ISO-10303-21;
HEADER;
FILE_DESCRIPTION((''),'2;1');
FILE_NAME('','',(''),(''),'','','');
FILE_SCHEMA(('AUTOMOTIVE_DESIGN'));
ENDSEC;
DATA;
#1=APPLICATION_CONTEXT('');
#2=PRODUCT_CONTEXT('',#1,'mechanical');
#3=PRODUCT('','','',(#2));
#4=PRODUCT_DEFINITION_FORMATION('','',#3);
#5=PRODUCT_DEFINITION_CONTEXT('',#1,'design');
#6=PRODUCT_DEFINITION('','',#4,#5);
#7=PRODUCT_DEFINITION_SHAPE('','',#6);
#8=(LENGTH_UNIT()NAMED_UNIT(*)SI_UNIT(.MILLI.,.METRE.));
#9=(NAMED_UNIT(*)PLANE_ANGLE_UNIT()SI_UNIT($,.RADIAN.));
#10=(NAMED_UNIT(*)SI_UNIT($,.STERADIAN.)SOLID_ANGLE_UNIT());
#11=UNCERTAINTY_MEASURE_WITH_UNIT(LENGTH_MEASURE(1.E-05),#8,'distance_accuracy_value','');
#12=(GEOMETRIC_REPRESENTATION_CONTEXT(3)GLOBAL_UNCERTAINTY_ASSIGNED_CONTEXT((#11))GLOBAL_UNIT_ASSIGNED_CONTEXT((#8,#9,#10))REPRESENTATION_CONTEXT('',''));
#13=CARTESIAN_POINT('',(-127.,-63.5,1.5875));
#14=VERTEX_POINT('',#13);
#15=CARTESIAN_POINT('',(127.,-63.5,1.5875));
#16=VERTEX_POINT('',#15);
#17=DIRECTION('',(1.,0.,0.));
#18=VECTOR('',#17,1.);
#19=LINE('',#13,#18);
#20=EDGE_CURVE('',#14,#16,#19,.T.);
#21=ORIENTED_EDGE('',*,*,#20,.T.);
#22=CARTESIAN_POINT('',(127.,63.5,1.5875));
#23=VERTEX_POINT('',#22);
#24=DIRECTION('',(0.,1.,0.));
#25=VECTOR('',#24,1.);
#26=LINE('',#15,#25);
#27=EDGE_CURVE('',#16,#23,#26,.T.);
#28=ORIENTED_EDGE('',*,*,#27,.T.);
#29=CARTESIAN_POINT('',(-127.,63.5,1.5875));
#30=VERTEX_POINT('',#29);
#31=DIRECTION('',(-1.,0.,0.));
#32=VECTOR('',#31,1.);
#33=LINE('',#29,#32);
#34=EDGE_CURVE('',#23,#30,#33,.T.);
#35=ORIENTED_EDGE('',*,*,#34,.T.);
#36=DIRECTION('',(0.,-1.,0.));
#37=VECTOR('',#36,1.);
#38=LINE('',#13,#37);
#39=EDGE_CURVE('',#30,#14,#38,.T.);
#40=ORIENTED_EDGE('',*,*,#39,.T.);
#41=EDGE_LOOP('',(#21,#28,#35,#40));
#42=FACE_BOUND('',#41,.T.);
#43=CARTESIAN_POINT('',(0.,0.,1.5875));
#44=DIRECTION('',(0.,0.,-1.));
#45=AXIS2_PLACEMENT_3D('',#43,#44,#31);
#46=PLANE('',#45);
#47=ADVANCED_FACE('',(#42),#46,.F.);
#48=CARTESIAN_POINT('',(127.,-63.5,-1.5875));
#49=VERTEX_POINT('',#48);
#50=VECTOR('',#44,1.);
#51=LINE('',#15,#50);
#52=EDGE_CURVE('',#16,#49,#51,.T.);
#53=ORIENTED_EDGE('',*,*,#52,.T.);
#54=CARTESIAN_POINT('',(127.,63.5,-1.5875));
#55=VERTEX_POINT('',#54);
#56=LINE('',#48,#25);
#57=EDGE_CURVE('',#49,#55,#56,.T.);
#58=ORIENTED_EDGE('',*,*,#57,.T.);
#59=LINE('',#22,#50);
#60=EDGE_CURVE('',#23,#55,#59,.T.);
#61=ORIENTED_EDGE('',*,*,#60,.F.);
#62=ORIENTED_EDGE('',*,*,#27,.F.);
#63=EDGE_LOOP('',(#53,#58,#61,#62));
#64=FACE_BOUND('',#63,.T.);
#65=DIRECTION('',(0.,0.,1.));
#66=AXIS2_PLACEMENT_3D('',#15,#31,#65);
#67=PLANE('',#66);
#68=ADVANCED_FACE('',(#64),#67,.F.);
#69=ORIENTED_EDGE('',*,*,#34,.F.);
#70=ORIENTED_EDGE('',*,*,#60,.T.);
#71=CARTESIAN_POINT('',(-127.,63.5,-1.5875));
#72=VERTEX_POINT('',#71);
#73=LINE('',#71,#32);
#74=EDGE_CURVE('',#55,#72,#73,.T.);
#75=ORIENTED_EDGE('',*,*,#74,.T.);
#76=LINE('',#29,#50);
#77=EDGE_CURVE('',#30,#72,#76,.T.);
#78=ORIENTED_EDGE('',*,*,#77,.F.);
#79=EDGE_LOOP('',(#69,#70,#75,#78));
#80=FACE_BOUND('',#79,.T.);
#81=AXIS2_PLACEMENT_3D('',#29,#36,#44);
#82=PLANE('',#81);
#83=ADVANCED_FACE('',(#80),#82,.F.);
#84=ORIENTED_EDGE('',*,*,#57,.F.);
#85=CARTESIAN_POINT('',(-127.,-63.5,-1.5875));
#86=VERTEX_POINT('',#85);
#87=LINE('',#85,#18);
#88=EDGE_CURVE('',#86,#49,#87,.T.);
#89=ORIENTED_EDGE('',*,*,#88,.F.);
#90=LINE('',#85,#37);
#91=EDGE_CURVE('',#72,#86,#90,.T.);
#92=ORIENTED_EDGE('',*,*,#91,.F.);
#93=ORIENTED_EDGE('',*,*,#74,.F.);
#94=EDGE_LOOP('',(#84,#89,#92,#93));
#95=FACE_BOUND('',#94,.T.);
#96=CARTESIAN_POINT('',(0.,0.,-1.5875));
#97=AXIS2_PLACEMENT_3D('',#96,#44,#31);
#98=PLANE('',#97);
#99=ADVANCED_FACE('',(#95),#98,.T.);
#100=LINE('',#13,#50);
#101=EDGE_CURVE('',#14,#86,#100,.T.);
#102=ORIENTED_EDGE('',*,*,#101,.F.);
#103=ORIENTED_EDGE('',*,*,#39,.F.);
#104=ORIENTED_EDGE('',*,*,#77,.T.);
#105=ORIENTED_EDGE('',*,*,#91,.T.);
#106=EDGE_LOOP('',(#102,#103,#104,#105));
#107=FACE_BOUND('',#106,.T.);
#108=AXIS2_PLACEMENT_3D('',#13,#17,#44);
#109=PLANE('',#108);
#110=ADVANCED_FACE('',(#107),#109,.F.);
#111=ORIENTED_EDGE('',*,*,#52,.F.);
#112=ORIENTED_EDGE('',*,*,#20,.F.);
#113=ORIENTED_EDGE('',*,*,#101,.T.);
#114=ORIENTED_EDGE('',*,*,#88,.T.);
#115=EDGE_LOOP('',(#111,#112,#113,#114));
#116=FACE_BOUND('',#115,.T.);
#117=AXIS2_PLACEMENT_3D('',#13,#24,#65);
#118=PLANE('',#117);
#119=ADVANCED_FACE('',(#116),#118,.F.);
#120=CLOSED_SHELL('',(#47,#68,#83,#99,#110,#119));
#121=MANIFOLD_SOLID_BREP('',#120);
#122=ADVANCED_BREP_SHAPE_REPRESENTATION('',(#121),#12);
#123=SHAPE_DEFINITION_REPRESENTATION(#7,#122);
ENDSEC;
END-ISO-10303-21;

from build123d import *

# Parameters (mm, degrees)
SKETCH1_W           = 254
SKETCH1_H           = 127
BOSS_EXTRUDE1_DEPTH = 1.5875


with BuildPart() as part:
    # Sketch1 → Boss-Extrude1 (new body, symmetric)
    with BuildSketch(Plane.XY):
        Rectangle(SKETCH1_W, SKETCH1_H)
    extrude(amount=BOSS_EXTRUDE1_DEPTH, both=True)


solid = part.part
